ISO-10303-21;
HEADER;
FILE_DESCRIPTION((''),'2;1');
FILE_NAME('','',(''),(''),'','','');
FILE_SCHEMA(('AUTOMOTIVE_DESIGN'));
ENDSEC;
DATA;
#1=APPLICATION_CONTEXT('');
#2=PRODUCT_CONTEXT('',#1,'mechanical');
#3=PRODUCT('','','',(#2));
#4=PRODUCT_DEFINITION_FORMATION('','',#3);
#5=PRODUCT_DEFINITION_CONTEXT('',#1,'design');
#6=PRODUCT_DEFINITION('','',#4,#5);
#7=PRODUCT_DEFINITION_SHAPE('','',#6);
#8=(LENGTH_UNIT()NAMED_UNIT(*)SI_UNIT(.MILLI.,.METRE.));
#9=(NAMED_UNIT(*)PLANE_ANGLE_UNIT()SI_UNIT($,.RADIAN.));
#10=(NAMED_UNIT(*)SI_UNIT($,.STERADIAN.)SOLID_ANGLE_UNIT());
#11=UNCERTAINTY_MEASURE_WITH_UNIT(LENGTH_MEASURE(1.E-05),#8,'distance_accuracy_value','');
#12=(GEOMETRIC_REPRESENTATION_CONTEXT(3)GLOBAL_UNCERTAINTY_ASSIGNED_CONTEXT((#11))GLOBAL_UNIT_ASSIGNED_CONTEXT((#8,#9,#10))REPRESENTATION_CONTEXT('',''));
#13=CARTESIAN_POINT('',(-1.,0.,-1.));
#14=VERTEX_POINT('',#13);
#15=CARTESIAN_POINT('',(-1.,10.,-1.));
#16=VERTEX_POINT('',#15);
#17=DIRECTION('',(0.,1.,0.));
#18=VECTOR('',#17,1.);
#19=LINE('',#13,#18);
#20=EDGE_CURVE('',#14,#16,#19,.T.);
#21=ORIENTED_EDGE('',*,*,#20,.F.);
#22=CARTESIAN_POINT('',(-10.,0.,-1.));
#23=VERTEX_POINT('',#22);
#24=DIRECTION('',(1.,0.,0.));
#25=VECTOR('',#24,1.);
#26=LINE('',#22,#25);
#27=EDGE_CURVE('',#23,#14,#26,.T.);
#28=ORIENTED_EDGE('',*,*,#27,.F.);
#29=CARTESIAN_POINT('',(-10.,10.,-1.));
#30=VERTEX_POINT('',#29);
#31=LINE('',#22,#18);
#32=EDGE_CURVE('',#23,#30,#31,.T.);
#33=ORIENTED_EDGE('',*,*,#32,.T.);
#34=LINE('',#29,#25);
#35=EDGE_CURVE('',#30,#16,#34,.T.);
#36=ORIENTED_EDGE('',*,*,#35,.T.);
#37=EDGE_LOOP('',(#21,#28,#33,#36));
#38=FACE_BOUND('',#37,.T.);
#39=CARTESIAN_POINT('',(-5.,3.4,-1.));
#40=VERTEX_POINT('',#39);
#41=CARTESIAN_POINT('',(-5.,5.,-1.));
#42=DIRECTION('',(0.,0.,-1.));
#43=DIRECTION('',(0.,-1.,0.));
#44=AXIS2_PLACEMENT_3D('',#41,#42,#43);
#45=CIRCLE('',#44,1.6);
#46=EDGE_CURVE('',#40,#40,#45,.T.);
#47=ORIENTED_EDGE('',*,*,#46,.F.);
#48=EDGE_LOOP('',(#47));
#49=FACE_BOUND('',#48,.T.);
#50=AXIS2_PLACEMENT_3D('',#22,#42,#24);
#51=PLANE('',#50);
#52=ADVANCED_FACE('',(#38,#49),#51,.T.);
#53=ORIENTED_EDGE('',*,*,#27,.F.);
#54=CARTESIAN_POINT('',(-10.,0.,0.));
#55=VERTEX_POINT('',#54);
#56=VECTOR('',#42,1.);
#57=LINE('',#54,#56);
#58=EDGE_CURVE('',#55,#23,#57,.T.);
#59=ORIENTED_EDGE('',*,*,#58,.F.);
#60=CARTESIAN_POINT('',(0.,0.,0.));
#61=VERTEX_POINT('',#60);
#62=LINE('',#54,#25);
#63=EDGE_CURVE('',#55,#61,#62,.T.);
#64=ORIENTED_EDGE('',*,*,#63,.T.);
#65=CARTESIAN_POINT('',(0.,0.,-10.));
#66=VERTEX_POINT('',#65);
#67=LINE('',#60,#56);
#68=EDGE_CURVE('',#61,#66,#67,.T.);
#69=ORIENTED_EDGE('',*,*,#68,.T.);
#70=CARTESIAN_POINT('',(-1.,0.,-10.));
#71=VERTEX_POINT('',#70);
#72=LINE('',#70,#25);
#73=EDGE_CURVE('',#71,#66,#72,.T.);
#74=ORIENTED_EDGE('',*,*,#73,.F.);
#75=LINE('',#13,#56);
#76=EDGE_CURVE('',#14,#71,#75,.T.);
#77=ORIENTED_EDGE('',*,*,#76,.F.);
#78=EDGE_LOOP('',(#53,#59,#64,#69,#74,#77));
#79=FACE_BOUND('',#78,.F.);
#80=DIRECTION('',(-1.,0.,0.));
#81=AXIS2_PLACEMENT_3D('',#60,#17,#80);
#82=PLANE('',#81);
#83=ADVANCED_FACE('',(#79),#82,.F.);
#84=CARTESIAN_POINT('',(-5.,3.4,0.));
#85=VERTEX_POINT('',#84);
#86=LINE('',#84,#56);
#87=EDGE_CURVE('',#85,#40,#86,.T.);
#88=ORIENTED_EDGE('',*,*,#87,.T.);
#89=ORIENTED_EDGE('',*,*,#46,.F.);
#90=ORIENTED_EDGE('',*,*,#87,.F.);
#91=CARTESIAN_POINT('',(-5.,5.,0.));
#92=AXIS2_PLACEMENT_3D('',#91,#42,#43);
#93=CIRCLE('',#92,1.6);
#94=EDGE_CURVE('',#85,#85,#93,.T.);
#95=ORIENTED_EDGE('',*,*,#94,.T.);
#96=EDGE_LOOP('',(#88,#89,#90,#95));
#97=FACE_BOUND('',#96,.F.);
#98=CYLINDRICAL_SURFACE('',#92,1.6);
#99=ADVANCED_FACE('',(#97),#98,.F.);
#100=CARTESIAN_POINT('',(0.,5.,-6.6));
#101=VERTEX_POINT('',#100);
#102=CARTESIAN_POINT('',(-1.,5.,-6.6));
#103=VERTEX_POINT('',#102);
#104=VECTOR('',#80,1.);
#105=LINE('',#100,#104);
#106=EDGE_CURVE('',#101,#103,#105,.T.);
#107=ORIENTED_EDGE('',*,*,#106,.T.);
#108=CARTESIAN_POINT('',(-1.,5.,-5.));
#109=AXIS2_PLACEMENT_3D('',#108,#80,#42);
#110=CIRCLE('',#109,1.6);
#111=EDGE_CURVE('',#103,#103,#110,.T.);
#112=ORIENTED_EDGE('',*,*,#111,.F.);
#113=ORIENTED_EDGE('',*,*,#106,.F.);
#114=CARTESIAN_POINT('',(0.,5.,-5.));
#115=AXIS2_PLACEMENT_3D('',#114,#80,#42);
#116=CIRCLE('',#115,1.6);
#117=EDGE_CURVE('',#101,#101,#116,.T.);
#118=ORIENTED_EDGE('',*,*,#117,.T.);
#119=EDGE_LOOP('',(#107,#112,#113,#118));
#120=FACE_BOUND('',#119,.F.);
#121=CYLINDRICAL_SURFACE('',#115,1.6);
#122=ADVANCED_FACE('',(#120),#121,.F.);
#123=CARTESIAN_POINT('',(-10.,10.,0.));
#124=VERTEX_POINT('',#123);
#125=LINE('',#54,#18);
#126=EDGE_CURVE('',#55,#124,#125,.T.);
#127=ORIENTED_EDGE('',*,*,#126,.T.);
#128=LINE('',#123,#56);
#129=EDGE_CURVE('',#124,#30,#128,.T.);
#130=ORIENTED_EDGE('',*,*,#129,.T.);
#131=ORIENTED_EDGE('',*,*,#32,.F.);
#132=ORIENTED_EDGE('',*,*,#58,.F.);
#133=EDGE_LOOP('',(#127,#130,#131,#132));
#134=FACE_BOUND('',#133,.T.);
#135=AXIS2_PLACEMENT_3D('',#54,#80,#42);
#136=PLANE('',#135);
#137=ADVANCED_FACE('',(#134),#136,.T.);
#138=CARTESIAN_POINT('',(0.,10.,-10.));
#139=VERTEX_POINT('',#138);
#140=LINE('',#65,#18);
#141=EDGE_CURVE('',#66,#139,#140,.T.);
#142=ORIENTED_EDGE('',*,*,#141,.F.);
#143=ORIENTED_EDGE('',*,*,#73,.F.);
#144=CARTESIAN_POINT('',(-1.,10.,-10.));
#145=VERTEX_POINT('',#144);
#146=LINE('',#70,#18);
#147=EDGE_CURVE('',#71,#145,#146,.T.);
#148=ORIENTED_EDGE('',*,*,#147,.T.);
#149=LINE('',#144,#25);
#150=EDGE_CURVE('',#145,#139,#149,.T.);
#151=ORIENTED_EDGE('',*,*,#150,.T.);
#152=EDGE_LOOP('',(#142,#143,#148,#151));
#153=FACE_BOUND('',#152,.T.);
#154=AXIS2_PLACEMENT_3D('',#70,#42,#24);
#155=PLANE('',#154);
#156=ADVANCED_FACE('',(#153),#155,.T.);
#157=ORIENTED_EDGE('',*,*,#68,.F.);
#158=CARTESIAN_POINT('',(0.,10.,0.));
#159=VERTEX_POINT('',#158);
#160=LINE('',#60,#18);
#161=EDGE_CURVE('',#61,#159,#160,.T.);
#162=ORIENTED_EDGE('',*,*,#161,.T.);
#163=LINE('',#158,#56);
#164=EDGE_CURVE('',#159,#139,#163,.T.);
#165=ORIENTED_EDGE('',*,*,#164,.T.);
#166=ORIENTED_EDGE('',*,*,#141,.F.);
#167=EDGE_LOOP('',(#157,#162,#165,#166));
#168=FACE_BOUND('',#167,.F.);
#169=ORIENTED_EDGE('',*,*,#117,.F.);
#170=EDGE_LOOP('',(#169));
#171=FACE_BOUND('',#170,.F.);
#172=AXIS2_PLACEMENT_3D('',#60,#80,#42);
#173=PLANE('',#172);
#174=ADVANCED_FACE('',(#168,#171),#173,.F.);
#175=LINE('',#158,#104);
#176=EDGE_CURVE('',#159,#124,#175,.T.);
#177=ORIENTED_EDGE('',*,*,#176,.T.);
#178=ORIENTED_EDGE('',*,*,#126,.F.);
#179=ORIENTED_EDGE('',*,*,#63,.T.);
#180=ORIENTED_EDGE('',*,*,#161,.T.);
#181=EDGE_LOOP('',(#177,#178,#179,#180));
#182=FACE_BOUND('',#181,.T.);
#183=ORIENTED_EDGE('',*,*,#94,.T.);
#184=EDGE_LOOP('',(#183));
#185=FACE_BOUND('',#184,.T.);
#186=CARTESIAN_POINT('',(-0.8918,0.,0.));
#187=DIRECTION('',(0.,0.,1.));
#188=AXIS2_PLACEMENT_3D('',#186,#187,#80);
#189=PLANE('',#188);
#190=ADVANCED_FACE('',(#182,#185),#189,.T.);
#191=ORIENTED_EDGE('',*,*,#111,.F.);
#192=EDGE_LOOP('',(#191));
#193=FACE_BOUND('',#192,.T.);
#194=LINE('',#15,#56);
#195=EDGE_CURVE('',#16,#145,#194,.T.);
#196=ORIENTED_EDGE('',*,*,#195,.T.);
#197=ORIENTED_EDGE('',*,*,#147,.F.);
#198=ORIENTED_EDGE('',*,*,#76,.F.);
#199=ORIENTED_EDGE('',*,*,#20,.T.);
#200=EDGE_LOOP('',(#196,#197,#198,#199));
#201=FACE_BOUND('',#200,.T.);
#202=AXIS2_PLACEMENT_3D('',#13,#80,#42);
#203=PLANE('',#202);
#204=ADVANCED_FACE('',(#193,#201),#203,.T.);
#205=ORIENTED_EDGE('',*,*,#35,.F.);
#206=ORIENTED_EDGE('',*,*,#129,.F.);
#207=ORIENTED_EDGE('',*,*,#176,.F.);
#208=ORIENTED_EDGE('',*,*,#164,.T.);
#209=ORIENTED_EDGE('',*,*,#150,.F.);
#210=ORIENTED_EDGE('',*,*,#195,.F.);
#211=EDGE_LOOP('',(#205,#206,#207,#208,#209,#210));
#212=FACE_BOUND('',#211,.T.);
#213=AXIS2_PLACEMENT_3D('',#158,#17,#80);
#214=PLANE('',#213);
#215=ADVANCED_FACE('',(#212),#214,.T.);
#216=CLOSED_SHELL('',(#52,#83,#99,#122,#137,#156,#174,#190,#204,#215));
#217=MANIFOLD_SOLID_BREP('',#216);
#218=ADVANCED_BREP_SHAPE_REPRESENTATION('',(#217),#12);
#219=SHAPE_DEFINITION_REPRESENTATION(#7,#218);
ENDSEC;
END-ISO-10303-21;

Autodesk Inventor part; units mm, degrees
ref_plane "YZ Plane" through (0, 0, 0) normal (1, 0, 0) x (0, 1, 0)
ref_plane "XZ Plane" through (0, 0, 0) normal (0, 1, 0) x (-1, 0, 0)
ref_plane "XY Plane" through (0, 0, 0) normal (0, 0, 1) x (1, 0, 0)
sketch "Sketch1" plane through (0, 0, 0) normal (0, 1, 0) x (-1, 0, 0)
  line L0 (0.8918, 0) -> (0, 0)
  line L1 (0, 0) -> (0, -10)
  line L2 (0, 0) -> (10, 0)
  line L3 (10, 0) -> (10, -1)
  line L4 (10, -1) -> (1, -1)
  line L5 (1, -1) -> (1, -10)
  line L6 (1, -10) -> (0, -10)
  dimension "d1" = 10
  dimension "d2" = 10
  dimension "d3" = 1
  dimension "d4" = 9
  dimension "d5" = 9
extrude "Extrusion1" add sketch "Sketch1" along normal blind 10
sketch "Sketch2" plane through (-10, 0, 0) normal (0, 0, 1) x (1, 0, 0)
  line L0 (-6.0649, 5) -> (16.1228, 5) construction
  line L1 (5, 14.125) -> (5, -1.5964) construction
  line L2 (0, 10) -> (10, 10) construction
  line L3 (10, 0) -> (10, 10) construction
  point P0 (5, 10)
  point P1 (10, 5)
  point P2 (5, 5)
hole "Hole1" at (-5, 5, 0) direction (0, 0, -1) diameter 3.2 end through all
sketch "Sketch3" plane through (0, 0, 0) normal (1, 0, 0) x (0, 0, -1)
  line L0 (5, 14.0037) -> (5, -2.6876)
  line L1 (-5.0316, 5) -> (14.0442, 5)
  line L2 (0, 10) -> (10, 10) projected
  line L3 (10, 0) -> (10, 10) projected
  point P0 (0, 0)
  point P1 (5, 10)
  point P2 (10, 5)
  point P3 (5, 5)
hole "Hole2" at (0, 5, -5) direction (-1, 0, 0) diameter 3.2 end through all
properties part number "No Thrd Right Support Farnell1466881"
